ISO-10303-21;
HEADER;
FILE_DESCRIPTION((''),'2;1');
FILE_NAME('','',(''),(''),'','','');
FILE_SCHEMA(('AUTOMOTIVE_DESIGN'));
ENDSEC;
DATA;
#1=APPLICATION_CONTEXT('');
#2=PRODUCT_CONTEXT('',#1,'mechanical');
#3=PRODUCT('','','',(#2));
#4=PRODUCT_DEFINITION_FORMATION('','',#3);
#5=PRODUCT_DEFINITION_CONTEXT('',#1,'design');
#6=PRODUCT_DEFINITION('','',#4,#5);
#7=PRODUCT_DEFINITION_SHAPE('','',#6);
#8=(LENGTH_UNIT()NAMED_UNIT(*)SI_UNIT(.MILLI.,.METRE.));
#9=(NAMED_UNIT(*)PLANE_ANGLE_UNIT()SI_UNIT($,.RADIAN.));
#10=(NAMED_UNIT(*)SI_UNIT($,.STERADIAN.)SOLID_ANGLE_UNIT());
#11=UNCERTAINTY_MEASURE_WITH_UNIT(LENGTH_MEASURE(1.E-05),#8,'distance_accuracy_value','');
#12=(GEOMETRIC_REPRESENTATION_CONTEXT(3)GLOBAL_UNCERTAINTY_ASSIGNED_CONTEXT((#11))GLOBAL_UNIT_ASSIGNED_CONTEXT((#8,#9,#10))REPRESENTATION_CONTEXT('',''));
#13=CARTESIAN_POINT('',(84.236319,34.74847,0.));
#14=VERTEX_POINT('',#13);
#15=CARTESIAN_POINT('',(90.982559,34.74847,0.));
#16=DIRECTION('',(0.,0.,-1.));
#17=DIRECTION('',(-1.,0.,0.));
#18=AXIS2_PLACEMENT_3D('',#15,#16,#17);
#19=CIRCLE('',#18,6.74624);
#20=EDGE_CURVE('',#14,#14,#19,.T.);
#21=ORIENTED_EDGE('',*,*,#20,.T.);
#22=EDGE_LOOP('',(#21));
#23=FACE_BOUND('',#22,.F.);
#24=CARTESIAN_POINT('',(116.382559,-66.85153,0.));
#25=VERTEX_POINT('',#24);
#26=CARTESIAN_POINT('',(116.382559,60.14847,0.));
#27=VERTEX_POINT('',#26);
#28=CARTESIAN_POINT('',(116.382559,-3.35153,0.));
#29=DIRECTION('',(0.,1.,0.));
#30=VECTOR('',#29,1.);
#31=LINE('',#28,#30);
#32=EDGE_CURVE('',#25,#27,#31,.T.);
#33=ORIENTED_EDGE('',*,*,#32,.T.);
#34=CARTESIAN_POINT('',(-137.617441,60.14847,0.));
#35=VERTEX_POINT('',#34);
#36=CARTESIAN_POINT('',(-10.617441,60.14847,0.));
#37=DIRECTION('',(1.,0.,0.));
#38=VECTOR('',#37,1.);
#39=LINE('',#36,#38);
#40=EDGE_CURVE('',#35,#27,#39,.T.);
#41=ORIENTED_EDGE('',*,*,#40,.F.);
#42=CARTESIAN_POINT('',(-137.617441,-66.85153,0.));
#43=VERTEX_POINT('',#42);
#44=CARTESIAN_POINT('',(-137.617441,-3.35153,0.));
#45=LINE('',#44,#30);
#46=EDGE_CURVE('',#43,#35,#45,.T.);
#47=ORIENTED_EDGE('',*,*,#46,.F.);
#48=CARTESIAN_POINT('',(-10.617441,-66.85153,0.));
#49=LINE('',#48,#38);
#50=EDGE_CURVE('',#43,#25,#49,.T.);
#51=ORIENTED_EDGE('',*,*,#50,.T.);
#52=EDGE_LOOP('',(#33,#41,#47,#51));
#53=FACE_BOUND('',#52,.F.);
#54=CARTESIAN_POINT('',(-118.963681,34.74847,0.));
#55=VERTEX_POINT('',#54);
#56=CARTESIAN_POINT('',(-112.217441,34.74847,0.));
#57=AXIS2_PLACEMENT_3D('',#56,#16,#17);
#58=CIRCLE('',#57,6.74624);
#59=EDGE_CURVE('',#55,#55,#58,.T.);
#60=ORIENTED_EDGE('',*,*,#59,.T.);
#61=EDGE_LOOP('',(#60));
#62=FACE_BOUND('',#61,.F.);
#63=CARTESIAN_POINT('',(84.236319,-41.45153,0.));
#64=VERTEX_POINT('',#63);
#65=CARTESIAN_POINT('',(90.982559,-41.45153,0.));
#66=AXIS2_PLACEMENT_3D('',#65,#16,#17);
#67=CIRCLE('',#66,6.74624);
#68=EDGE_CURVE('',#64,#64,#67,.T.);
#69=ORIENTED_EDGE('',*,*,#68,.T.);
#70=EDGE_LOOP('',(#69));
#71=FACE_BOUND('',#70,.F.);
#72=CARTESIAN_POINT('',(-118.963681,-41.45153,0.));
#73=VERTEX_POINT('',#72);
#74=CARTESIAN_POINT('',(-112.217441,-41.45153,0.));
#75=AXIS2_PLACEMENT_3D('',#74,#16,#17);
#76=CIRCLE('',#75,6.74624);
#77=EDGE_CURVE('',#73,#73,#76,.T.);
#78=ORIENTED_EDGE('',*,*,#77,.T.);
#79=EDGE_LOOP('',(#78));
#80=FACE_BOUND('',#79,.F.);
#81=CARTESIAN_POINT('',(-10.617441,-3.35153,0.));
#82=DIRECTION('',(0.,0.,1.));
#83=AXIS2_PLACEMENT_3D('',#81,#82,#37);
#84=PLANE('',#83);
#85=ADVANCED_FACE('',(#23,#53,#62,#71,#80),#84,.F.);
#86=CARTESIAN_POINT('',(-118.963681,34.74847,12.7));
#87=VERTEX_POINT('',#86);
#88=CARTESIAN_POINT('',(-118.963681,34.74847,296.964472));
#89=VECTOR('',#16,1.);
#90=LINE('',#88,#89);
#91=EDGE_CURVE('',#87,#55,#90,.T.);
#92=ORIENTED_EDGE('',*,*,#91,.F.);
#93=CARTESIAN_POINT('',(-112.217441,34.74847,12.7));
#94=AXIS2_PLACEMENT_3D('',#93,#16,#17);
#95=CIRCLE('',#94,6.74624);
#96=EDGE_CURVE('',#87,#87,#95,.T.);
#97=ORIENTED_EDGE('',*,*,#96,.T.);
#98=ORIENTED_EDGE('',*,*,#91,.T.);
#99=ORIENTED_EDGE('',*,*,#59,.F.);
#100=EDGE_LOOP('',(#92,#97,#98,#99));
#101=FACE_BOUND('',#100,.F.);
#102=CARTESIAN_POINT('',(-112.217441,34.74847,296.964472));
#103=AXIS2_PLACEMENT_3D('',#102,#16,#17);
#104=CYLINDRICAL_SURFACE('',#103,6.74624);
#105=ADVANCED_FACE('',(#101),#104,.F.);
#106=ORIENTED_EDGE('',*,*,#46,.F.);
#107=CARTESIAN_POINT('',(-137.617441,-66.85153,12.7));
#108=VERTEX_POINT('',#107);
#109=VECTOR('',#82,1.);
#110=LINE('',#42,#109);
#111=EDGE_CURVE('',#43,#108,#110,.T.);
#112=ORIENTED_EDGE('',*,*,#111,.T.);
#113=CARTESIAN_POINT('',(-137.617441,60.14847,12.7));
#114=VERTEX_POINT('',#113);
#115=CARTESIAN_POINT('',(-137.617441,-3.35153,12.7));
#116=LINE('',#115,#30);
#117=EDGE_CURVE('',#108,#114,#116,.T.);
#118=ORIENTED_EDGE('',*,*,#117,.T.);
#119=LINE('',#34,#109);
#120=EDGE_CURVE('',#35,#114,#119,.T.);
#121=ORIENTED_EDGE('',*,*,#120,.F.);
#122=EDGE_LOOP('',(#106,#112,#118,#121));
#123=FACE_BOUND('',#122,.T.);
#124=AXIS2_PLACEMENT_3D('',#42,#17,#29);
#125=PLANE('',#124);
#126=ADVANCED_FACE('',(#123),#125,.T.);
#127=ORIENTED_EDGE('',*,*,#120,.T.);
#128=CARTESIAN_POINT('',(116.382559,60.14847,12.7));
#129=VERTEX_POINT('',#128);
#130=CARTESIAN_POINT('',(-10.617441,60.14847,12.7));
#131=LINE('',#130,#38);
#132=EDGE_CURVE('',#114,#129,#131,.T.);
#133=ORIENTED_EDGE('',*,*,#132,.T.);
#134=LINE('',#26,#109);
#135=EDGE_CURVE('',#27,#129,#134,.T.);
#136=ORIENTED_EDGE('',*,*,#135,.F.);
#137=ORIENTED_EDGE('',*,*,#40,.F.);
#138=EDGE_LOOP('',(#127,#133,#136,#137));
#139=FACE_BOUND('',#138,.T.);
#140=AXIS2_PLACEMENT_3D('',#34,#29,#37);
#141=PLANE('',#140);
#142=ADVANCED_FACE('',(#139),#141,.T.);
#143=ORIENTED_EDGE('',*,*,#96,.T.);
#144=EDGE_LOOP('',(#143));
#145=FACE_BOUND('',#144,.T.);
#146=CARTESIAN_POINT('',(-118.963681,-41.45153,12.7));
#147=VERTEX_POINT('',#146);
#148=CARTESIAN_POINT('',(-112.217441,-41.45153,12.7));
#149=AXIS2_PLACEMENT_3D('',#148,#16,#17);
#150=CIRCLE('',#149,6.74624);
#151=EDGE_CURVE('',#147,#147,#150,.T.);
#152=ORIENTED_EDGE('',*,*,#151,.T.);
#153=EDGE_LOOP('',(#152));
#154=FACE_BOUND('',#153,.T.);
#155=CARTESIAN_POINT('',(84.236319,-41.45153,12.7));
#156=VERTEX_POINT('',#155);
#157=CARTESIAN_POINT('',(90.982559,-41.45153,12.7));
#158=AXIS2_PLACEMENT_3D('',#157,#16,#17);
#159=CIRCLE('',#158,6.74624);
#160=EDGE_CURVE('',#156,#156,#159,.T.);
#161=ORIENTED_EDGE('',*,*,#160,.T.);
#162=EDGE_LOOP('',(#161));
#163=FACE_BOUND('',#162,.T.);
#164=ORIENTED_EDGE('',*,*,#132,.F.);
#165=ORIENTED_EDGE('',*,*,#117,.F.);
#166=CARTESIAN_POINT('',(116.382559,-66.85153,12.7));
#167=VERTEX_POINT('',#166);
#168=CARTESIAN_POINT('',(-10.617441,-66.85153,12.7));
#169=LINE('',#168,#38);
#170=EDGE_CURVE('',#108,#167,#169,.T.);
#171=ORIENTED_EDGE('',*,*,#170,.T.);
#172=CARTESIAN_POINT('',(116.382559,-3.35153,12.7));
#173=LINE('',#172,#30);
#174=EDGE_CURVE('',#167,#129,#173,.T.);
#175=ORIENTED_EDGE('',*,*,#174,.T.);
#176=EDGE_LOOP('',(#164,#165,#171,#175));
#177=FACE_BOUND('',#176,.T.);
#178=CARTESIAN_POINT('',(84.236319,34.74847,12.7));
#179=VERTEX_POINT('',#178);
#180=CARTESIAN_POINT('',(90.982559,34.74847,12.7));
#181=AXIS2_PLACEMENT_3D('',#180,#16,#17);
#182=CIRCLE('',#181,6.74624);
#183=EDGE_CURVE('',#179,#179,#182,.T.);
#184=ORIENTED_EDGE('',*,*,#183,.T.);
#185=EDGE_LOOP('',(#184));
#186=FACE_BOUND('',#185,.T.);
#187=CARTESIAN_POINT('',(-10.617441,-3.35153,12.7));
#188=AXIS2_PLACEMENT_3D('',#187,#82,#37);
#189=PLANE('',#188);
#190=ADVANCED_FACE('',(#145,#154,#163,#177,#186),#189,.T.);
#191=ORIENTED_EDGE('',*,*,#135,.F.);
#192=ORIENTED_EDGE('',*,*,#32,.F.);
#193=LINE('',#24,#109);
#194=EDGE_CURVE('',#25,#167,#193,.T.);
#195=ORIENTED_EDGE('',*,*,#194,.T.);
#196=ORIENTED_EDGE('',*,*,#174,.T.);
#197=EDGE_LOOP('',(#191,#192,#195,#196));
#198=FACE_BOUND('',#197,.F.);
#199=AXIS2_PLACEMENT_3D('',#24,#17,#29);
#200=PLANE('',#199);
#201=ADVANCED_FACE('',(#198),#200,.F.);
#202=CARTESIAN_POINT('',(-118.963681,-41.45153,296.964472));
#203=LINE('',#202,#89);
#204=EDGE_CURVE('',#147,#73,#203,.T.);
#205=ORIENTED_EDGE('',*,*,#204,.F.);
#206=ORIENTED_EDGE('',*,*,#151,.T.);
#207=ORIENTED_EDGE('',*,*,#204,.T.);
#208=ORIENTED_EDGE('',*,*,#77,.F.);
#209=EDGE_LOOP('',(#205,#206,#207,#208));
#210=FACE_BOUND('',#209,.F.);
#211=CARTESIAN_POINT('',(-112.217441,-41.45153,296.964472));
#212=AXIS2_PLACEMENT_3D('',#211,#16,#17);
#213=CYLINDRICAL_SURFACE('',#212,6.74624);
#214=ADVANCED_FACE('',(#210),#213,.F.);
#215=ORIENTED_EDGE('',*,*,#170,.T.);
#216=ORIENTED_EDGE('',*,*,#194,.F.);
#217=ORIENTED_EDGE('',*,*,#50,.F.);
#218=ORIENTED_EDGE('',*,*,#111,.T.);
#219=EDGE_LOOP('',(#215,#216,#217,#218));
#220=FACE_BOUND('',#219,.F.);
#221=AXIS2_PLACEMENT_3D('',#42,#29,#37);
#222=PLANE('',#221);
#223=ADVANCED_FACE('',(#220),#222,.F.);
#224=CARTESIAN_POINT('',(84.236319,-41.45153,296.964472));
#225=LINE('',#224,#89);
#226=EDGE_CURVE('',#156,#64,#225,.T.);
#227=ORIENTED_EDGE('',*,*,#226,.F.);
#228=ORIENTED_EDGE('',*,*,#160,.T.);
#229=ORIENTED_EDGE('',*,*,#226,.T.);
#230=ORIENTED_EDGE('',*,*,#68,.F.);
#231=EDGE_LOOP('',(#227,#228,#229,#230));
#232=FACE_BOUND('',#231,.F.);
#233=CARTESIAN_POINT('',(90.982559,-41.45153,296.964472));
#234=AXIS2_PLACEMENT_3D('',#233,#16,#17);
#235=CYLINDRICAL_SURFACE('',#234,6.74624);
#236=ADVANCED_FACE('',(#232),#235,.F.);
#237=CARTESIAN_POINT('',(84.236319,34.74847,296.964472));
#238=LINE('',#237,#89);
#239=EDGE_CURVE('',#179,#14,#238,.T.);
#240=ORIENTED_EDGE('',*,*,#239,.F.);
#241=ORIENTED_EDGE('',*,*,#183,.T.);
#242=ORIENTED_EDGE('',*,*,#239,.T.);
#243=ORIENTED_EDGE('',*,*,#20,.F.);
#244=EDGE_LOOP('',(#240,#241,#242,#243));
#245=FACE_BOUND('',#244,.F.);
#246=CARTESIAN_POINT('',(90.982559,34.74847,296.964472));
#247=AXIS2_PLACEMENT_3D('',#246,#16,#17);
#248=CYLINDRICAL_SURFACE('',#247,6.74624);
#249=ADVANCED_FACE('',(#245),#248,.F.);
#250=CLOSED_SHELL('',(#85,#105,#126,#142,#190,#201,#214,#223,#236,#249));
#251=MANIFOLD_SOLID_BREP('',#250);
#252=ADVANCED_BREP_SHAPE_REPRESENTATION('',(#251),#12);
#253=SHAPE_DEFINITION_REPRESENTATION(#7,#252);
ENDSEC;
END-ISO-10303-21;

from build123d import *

# Parameters (mm, degrees)
F0_W     = 254
F0_H     = 127
F1_DEPTH = 12.7
F3_D     = 13.49248


with BuildPart() as f1:
    # F0 (on Top) → F1 (new body)
    with BuildSketch(Plane.XY):
        with Locations((-10.6174405664, -3.3515299236)):
            Rectangle(F0_W, F0_H)
    extrude(amount=F1_DEPTH)

    # F3 (through all)
    with Locations(Plane.XY.offset(12.7)):
        with Locations((-112.2174405664, 34.7484700764), (-112.2174405664, -41.4515299236), (90.9825594336, 34.7484700764), (90.9825594336, -41.4515299236)):
            Hole(F3_D / 2)


solid = f1.part
